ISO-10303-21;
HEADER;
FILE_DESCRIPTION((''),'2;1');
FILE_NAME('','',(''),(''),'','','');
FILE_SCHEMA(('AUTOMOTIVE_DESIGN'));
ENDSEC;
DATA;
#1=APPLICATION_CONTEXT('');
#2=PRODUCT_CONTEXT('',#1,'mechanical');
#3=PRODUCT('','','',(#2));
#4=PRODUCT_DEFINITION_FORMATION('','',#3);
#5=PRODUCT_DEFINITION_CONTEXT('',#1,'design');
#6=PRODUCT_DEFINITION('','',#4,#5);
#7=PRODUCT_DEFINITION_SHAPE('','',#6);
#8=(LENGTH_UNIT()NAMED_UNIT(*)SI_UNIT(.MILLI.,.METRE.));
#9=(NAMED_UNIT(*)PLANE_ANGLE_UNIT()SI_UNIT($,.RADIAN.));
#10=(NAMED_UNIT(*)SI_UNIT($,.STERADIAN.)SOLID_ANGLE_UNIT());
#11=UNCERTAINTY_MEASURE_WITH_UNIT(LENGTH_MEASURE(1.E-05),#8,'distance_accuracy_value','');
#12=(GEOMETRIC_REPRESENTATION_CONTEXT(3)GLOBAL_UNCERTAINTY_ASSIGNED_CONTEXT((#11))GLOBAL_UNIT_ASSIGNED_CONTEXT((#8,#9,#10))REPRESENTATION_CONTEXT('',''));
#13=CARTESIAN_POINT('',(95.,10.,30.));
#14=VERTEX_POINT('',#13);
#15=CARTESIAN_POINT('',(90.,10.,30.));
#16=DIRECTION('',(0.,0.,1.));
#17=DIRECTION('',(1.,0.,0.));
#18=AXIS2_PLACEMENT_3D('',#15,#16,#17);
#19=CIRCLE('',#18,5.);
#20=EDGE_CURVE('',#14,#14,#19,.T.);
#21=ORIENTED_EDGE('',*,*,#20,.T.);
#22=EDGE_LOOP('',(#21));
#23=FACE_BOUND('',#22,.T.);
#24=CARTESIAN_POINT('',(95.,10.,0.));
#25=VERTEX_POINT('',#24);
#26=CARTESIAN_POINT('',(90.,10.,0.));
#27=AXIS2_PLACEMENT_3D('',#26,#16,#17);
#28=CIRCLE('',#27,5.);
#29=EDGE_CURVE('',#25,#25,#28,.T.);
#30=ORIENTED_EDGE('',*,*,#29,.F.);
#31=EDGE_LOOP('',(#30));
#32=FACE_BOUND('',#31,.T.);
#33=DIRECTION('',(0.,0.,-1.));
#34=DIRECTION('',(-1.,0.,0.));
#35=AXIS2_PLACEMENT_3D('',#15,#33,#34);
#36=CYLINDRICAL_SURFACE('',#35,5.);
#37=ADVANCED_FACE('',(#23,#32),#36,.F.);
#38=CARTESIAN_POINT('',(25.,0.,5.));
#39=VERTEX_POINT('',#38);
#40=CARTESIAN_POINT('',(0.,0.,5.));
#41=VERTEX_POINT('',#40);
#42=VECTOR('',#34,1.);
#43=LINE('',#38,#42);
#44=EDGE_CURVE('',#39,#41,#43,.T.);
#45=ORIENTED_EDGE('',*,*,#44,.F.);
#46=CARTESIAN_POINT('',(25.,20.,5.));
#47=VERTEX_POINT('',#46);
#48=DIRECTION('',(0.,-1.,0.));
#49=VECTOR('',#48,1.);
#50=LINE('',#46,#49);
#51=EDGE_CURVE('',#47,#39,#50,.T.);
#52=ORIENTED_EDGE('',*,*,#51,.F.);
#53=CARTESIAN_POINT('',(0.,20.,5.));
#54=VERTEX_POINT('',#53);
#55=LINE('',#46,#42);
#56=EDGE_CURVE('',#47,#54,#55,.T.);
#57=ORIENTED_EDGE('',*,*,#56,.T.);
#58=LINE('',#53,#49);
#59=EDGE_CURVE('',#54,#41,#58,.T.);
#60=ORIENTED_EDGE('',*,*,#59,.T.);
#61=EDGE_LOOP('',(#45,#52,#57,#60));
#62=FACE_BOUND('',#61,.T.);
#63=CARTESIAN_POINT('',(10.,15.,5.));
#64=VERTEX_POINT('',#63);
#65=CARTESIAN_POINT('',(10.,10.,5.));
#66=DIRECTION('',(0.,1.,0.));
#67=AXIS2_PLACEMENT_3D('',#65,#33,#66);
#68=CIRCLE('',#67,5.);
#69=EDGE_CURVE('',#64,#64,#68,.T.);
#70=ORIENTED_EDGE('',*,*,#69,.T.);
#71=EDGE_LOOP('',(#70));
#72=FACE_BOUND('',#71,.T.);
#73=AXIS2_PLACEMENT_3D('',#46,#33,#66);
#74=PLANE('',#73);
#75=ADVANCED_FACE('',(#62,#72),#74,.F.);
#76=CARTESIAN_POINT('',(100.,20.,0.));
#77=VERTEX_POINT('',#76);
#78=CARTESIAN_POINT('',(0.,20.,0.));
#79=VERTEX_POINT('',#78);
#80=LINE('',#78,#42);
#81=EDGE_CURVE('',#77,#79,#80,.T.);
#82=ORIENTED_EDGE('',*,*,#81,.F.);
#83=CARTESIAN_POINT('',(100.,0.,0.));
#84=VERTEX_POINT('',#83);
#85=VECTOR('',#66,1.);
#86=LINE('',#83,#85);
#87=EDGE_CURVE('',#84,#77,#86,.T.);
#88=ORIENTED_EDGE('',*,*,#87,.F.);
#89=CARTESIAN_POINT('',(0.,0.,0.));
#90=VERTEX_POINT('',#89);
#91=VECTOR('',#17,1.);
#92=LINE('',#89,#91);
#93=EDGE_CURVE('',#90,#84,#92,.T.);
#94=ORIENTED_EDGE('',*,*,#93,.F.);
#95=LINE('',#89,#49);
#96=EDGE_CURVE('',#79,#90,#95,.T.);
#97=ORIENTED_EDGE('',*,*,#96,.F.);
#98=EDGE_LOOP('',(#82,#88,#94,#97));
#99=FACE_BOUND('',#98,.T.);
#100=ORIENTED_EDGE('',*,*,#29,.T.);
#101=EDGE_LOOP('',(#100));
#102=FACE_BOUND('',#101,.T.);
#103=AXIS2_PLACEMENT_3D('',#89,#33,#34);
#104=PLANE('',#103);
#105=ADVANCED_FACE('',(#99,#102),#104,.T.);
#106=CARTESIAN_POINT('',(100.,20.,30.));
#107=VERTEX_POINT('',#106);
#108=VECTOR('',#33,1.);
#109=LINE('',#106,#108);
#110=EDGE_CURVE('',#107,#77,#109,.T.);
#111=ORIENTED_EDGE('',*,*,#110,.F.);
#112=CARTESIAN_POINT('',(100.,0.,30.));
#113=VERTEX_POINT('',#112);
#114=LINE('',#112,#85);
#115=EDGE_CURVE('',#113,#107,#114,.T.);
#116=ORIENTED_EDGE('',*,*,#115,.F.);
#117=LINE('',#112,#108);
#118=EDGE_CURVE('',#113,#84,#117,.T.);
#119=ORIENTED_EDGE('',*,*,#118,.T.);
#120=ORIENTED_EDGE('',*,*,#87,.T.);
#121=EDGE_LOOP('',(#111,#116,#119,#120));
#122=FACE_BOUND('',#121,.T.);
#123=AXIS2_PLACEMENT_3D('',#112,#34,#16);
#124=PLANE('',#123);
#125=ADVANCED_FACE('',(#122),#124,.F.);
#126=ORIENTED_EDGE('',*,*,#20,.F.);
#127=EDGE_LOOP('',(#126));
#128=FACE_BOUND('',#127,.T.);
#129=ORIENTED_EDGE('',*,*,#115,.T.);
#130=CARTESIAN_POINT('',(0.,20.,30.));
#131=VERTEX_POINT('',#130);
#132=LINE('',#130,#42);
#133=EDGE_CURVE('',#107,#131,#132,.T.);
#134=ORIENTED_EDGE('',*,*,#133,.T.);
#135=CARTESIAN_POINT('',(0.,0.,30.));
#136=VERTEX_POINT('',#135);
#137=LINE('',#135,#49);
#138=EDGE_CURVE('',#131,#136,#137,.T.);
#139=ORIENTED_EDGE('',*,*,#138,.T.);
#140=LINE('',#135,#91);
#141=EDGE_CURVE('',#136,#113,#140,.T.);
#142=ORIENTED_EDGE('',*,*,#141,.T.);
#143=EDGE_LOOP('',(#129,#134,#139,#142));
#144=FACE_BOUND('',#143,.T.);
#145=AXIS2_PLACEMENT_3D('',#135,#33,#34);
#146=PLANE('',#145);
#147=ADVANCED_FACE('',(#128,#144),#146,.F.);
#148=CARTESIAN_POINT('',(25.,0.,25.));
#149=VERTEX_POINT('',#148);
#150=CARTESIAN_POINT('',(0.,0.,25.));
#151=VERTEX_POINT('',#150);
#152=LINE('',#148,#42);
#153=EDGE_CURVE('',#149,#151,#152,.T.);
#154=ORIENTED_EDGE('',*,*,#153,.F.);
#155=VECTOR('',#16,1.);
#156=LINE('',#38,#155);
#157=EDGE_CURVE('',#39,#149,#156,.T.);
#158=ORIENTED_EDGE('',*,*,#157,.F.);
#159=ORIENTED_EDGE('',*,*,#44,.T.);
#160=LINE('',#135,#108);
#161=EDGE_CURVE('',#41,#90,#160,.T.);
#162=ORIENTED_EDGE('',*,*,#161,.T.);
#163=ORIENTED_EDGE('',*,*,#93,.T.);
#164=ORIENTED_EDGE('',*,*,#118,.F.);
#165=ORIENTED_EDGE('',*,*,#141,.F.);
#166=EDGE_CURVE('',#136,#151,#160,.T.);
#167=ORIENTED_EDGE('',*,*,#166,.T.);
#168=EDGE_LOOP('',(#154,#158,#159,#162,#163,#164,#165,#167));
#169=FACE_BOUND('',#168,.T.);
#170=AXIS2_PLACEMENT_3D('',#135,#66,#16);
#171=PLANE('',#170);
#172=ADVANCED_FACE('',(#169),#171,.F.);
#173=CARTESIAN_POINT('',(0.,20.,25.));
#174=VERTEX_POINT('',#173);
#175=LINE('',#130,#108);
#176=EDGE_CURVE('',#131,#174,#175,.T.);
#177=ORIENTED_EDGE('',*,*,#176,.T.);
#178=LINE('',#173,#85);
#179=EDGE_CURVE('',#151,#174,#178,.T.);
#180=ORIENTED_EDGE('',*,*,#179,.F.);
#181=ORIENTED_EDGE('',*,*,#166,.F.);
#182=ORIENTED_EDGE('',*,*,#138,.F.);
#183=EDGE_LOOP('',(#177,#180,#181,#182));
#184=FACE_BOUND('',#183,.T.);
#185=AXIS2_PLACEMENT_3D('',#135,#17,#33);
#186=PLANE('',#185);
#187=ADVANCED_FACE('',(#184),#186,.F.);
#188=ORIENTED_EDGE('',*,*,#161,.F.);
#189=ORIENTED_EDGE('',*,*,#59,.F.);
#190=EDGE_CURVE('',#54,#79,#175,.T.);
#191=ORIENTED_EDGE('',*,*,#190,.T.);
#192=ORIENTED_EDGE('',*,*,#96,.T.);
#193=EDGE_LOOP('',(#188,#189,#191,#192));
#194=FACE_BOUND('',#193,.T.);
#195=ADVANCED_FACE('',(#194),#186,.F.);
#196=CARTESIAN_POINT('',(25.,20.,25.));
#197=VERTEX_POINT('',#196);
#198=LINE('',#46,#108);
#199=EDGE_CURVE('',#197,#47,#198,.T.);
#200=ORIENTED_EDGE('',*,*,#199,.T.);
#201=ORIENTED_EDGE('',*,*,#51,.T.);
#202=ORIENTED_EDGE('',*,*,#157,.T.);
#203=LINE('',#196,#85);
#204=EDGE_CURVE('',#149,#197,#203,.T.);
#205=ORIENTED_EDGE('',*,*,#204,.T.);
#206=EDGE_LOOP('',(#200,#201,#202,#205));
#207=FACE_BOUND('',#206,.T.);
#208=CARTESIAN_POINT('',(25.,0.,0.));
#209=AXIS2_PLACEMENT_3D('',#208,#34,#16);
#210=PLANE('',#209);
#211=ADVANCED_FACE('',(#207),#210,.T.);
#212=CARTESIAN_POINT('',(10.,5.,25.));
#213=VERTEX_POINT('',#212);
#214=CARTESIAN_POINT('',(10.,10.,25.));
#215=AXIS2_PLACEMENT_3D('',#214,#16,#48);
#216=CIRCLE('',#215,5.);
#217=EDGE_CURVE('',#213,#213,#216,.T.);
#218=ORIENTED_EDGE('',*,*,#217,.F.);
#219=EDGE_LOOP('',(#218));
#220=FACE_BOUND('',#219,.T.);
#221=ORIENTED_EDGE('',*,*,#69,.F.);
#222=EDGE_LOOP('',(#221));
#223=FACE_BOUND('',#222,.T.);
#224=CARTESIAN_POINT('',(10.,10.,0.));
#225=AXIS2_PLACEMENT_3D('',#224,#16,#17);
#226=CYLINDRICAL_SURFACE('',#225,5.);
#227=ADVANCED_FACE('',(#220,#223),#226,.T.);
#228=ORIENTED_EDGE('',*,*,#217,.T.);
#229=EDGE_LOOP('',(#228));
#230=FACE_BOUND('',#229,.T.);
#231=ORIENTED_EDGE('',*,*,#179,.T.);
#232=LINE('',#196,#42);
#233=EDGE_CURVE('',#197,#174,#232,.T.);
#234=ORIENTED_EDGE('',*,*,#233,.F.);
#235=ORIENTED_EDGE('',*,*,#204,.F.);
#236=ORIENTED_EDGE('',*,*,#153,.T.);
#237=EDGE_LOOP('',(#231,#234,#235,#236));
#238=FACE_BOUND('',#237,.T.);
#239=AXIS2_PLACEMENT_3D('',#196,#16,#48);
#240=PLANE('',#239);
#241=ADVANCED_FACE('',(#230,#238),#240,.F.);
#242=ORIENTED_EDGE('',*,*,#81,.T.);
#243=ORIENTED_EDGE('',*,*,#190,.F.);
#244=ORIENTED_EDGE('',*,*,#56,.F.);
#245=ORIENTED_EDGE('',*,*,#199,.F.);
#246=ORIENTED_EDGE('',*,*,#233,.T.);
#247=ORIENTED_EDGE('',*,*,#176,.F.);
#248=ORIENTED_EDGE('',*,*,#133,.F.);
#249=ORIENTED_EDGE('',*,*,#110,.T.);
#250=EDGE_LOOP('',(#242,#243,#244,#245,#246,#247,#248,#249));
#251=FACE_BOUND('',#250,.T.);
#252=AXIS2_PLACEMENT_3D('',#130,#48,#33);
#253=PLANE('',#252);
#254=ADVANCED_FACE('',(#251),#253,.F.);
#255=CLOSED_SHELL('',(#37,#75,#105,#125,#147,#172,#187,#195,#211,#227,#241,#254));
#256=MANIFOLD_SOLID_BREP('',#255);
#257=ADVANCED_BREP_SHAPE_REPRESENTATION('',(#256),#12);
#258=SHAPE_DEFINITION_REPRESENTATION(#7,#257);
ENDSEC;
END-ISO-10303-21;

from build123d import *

# Parameters (mm, degrees)
SKETCH1_W           = 100
SKETCH1_H           = 20
SKETCH1_R           = 5
BOSS_EXTRUDE1_DEPTH = 30
SKETCH4_W           = 20
SKETCH4_H           = 20
CUT_EXTRUDE1_DEPTH  = 25
BOSS_EXTRUDE2_REACH = 108.301
SKETCH5_R           = 5


with BuildPart() as part:
    # Sketch1 → Boss-Extrude1 (new body)
    with BuildSketch(Plane.XY):
        with Locations((50, 10)):
            Rectangle(SKETCH1_W, SKETCH1_H)
        with Locations((90, 10)):
            Circle(SKETCH1_R, mode=Mode.SUBTRACT)
    extrude(amount=BOSS_EXTRUDE1_DEPTH)

    # Sketch4 → Cut-Extrude1 (cut)
    with BuildSketch(Plane.ZY):
        with Locations((15, 10)):
            Rectangle(SKETCH4_W, SKETCH4_H)
    extrude(amount=-CUT_EXTRUDE1_DEPTH, mode=Mode.SUBTRACT)

    # Sketch5 → Boss-Extrude2 (add, up to next)
    with BuildSketch(Plane.XY.offset(30), mode=Mode.PRIVATE) as boss_extrude2_sk1:
        with Locations(Location((10, 10, 0), (0, 0, 270))):
            Circle(SKETCH5_R)
    boss_extrude2_tool1 = extrude(boss_extrude2_sk1.sketch, amount=-BOSS_EXTRUDE2_REACH, mode=Mode.PRIVATE) - part.part
    add(boss_extrude2_tool1.solids().sort_by_distance((10, 10, 30))[0])


solid = part.part
